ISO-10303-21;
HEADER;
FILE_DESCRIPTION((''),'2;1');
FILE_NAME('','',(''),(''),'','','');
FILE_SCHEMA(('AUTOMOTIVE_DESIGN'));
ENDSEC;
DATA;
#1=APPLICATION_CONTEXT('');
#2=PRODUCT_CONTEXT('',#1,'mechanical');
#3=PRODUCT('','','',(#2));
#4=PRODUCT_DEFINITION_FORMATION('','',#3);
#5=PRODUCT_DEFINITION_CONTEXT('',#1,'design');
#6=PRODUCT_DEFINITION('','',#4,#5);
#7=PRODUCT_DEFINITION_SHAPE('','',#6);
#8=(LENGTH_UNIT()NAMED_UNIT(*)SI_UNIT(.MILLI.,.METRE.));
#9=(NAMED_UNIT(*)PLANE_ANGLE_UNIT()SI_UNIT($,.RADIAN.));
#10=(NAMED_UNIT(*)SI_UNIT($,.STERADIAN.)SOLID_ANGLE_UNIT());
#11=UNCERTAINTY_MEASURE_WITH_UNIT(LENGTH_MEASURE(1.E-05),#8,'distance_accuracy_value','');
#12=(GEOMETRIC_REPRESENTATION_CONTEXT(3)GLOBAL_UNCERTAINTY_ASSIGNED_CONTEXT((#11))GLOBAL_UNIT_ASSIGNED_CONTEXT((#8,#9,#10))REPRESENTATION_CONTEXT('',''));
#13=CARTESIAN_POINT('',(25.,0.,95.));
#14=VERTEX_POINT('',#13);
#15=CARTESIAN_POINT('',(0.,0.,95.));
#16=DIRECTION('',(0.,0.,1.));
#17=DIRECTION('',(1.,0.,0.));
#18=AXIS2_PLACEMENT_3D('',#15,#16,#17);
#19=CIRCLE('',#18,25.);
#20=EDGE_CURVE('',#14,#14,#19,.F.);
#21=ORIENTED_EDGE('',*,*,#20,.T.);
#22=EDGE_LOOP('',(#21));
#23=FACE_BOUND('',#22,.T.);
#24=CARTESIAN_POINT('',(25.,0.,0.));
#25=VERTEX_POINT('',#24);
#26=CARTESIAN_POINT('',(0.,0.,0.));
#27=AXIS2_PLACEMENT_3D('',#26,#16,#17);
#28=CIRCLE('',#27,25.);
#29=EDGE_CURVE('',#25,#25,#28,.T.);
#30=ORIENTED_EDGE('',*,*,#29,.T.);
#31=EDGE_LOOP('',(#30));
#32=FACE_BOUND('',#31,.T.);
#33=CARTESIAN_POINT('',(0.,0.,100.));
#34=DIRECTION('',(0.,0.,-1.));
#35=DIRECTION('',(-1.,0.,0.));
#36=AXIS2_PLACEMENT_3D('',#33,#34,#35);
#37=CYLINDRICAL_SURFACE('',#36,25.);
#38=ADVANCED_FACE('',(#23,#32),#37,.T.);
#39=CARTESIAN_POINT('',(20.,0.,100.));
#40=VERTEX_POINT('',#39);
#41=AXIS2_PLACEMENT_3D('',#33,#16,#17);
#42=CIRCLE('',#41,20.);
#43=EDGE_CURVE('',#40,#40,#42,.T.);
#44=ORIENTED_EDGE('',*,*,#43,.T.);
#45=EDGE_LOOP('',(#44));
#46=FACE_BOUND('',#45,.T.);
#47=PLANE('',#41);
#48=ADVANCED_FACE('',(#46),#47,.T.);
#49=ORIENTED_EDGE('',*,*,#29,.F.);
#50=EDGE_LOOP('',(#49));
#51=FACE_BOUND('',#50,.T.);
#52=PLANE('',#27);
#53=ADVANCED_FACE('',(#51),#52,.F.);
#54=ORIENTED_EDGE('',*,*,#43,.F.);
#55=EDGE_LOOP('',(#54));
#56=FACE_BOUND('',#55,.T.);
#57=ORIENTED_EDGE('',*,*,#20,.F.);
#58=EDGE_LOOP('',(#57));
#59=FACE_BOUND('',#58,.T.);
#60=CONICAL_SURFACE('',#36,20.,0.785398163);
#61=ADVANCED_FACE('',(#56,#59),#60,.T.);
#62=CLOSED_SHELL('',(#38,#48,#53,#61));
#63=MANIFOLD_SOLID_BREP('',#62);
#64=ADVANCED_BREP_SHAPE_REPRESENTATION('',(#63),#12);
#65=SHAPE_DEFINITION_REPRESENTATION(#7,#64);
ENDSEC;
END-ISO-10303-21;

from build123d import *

# Parameters (mm, degrees)
SKETCH_1_R      = 25
EXTRUDE_1_DEPTH = 100
CHAMFER_1_SIZE  = 5


with BuildPart() as part:
    # Эскиз1 → Бобышка-Вытянуть1 (new body)
    with BuildSketch(Plane.XY):
        Circle(SKETCH_1_R)
    extrude(amount=EXTRUDE_1_DEPTH)

    # Фаска1
    chamfer_1_edges = [part.edges().sort_by_distance(p)[0] for p in [
        (-25, 0, 100),
    ]]
    chamfer(chamfer_1_edges, length=CHAMFER_1_SIZE)


solid = part.part
